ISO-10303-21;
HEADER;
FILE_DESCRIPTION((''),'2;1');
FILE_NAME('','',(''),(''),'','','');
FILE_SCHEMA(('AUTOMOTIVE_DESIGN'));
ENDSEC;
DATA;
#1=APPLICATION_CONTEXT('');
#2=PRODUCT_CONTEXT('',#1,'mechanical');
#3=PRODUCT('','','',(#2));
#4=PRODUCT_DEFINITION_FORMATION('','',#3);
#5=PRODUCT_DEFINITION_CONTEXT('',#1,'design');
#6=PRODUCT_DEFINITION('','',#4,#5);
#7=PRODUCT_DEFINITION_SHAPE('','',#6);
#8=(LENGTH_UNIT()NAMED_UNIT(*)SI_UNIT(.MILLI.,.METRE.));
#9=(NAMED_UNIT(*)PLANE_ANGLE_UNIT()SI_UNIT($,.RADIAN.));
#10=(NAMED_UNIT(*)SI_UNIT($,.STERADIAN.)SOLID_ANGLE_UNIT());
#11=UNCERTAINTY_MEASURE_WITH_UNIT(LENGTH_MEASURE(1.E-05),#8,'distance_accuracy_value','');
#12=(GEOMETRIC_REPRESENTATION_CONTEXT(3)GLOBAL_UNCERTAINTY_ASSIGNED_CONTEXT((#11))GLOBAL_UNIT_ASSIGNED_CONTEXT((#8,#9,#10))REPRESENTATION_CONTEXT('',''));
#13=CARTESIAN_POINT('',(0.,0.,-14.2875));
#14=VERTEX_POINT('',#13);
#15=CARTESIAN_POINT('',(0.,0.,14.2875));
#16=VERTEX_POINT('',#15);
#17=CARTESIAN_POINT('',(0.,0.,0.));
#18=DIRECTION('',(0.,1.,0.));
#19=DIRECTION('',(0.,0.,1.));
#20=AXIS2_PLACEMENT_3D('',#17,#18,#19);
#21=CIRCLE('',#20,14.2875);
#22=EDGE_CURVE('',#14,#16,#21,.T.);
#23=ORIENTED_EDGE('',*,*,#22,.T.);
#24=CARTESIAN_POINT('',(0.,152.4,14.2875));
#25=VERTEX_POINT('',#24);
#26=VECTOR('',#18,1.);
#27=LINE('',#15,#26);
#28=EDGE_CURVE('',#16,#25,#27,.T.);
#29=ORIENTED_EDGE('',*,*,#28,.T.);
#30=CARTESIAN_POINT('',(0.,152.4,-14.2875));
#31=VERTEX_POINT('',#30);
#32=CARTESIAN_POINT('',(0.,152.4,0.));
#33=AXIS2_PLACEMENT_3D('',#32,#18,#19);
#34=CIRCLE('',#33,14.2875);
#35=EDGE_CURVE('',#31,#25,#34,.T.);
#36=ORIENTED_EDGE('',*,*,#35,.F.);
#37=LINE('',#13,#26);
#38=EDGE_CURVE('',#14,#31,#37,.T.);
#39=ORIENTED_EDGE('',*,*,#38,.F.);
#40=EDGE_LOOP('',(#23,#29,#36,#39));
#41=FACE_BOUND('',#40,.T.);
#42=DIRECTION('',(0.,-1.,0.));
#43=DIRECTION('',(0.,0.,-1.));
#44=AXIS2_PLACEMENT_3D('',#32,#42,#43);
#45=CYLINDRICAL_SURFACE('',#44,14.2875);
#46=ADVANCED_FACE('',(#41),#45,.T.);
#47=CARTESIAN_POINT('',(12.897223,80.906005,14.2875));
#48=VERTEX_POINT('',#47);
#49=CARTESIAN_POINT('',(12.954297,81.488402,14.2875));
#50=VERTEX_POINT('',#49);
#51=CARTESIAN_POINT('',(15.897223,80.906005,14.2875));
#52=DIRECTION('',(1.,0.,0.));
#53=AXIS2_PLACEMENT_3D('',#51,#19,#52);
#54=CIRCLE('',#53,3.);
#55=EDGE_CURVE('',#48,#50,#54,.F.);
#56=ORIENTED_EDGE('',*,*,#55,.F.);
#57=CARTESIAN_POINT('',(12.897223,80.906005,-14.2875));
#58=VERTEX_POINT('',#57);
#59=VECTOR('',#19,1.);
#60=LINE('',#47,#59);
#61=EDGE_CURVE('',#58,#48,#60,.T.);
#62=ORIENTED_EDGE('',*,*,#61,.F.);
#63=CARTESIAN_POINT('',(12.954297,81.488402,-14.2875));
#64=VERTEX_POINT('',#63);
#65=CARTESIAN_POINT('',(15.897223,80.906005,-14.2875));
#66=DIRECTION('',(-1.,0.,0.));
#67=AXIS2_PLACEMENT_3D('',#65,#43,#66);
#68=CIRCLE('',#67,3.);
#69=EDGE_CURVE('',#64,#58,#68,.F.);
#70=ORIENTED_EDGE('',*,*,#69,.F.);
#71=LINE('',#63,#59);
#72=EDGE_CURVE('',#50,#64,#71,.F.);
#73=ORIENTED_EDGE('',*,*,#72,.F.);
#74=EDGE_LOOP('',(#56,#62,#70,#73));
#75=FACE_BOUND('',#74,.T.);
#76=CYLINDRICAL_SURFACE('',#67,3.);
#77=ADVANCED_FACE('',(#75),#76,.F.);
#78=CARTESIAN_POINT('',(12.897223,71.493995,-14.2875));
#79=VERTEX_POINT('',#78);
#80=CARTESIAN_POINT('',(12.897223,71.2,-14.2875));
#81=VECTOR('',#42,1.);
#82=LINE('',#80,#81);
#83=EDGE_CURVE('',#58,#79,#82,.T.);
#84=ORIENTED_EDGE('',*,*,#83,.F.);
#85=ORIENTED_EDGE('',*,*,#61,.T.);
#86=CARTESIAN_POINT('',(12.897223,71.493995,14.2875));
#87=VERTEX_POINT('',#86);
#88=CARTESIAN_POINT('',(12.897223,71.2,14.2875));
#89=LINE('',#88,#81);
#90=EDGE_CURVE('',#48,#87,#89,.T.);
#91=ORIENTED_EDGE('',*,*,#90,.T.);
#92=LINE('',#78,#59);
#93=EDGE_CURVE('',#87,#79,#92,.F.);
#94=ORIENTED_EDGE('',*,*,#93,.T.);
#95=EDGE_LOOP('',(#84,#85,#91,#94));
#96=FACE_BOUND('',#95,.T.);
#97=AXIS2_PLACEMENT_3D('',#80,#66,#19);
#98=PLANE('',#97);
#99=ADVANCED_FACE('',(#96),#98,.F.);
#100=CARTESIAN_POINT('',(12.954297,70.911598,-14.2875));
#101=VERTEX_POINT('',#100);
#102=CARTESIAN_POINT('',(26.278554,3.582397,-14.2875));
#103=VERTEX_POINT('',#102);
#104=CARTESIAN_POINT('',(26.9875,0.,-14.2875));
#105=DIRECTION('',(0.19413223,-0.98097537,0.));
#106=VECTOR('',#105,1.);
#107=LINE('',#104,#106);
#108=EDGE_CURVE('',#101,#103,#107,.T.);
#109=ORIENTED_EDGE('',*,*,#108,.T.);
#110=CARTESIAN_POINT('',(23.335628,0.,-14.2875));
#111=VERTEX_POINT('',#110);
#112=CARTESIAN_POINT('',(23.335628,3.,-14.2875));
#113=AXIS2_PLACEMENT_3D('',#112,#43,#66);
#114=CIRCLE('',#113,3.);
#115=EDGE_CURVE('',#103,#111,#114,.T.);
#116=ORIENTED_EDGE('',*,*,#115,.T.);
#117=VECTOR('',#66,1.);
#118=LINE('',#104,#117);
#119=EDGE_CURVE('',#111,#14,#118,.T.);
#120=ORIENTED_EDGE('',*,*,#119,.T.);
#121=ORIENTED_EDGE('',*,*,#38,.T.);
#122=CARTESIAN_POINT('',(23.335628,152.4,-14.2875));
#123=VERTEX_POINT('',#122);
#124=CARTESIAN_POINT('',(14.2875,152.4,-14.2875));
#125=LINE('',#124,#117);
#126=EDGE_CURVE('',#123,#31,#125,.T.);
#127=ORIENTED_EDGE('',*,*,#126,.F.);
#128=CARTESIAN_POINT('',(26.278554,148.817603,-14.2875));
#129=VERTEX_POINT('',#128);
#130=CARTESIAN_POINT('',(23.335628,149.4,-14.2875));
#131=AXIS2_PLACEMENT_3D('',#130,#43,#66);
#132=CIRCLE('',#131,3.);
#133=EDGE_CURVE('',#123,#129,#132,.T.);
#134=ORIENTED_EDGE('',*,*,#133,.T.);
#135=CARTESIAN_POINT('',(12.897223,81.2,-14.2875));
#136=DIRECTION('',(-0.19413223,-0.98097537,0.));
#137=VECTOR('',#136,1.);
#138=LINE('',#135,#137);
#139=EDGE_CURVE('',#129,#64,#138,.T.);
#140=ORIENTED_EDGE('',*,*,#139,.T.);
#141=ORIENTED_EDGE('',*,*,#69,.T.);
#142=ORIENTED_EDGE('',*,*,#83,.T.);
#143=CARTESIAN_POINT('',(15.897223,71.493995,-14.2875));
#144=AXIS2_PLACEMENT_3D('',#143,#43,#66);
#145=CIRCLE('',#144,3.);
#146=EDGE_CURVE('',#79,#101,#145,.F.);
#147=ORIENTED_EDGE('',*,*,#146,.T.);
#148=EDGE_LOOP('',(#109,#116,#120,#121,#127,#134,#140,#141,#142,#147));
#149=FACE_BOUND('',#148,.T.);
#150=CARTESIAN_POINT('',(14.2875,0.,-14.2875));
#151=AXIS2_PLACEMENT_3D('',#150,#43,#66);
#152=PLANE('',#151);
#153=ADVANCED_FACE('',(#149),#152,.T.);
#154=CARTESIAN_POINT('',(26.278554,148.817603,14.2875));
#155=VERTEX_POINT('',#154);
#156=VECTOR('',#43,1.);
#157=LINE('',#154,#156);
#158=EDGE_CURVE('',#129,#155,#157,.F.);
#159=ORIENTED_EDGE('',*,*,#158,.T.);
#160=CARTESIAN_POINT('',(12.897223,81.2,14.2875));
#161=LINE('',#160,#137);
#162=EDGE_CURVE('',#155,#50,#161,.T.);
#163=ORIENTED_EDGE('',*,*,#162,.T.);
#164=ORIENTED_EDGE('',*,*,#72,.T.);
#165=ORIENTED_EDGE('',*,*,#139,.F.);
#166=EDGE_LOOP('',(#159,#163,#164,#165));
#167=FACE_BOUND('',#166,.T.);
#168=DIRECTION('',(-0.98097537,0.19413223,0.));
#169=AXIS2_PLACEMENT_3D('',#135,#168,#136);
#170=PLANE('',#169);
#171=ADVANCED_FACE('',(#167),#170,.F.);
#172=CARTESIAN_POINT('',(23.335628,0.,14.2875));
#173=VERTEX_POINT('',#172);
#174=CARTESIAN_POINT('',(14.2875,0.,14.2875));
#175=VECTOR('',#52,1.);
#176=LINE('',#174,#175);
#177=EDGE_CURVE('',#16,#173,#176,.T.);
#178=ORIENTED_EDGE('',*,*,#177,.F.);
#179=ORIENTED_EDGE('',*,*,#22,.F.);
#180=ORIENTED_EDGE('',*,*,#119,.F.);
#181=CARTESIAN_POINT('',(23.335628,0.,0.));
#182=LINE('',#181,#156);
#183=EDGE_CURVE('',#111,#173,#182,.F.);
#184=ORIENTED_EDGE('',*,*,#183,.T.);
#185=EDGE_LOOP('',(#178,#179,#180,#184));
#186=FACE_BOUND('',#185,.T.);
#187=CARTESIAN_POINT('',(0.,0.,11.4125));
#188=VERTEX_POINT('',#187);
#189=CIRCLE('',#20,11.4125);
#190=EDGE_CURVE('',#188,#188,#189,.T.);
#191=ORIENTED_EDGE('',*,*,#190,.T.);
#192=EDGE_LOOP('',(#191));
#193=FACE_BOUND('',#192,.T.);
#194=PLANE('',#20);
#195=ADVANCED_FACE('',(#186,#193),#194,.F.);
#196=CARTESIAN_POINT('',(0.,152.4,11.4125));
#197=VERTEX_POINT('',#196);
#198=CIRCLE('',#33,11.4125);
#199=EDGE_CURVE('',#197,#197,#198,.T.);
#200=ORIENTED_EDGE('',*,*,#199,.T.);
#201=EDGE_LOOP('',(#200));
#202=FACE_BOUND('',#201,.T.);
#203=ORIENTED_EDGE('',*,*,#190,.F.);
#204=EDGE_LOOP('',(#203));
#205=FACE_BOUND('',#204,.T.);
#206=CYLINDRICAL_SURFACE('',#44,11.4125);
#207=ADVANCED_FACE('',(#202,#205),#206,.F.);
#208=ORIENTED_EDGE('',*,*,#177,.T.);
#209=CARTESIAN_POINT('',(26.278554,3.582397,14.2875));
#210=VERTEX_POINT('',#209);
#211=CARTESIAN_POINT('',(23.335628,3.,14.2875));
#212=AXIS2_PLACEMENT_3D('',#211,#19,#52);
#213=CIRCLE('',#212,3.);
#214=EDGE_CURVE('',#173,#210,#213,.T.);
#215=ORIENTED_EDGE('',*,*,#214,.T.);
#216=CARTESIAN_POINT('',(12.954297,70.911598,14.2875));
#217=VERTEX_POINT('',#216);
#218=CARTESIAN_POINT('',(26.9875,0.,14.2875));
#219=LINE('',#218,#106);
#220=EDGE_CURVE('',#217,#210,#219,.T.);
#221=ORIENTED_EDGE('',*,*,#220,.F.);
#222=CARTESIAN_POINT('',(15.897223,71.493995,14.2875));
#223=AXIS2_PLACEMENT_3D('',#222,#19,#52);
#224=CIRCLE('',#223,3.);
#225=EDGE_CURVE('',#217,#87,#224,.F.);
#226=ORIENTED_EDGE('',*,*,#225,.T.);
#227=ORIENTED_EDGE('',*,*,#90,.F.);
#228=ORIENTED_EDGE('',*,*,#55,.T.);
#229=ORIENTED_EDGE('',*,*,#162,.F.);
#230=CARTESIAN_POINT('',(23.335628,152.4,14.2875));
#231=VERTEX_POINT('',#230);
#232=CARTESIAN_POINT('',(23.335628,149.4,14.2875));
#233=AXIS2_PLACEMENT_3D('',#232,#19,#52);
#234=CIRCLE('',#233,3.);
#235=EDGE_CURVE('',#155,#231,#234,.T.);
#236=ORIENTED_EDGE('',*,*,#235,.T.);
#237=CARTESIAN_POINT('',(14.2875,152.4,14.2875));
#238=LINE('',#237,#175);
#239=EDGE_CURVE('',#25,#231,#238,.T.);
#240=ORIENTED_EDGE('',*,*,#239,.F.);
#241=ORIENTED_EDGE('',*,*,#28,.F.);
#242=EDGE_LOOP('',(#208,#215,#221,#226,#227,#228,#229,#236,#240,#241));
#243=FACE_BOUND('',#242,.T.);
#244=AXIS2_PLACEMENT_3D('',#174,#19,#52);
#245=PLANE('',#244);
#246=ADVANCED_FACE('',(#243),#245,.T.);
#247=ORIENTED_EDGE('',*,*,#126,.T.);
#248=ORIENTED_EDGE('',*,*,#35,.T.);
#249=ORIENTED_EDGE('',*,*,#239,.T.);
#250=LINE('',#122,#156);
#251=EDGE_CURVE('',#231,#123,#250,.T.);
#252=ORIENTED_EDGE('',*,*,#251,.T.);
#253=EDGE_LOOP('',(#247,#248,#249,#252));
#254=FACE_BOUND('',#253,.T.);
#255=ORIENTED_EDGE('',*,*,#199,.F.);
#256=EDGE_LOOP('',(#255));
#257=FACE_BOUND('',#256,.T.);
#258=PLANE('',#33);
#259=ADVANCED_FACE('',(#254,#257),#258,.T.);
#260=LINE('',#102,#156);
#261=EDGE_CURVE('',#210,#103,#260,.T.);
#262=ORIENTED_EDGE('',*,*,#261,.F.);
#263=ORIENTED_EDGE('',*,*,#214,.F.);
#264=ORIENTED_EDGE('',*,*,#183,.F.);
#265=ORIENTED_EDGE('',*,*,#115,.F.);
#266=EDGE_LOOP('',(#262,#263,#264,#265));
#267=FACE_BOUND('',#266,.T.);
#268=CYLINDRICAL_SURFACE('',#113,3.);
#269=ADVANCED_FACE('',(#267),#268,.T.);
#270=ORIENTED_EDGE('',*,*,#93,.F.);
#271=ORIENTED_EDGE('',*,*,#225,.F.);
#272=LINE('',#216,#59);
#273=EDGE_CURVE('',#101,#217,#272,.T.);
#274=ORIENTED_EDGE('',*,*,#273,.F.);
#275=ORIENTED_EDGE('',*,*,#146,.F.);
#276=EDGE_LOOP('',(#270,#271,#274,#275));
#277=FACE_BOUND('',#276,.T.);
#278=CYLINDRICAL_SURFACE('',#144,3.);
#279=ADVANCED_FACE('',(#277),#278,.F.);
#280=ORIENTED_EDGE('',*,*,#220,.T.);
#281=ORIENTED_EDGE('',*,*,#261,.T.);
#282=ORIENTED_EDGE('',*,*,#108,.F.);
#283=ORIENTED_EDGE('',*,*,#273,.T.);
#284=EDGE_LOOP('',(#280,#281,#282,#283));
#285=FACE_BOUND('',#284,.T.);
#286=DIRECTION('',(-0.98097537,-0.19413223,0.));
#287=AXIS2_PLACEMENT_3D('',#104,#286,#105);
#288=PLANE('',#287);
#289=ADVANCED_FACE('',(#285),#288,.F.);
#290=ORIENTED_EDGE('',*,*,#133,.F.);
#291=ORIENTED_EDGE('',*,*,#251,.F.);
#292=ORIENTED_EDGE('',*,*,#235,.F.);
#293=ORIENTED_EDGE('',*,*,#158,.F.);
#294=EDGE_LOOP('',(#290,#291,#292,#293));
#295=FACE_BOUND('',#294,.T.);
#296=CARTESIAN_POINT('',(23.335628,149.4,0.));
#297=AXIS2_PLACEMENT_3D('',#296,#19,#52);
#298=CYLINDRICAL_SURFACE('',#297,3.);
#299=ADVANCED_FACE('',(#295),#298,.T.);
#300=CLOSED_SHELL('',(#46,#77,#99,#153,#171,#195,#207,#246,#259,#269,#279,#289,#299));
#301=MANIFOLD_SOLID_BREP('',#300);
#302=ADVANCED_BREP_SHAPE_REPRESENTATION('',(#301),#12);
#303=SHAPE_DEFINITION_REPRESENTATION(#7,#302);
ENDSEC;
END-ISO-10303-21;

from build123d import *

# Parameters (mm, degrees)
SKETCH1_R           = 14.2875
SKETCH1_R_2         = 11.4125
BOSS_EXTRUDE1_DEPTH = 152.4
SKETCH2_W           = 28.575
SKETCH2_H           = 152.4
BOSS_EXTRUDE2_DEPTH = 12.7
BOSS_EXTRUDE3_DEPTH = 152.4
CUT_EXTRUDE1_DEPTH  = 29.575
FILLET1_R           = 3


with BuildPart() as part:
    # Sketch1 → Boss-Extrude1 (new body)
    with BuildSketch(Plane(origin=(0, 0, 0), x_dir=(1, 0, 0), z_dir=(0, 1, 0))):
        Circle(SKETCH1_R)
        Circle(SKETCH1_R_2, mode=Mode.SUBTRACT)
    extrude(amount=BOSS_EXTRUDE1_DEPTH)



with BuildPart() as body_2:
    # Sketch2 → Boss-Extrude2 (new body)
    with BuildSketch(Plane(origin=(14.2875, 0, 0), x_dir=(0, 0, -1), z_dir=(1, 0, 0))):
        with Locations((0, 76.2)):
            Rectangle(SKETCH2_W, SKETCH2_H)
    extrude(amount=BOSS_EXTRUDE2_DEPTH)


with BuildPart() as part_1:
    add(part.part)

    add(body_2.part)  # Boss-Extrude3 merges body 2
    # Sketch3 → Boss-Extrude3 (add, through all)
    with BuildSketch(Plane(origin=(0, 152.4, 0), x_dir=(1, 0, 0), z_dir=(0, 1, 0))):
        with BuildLine():
            Line((14.2875, -14.2875), (0, -14.2875))
            ThreePointArc((0, -14.2875), (14.2875, 0), (0, 14.2875))
            Line((0, 14.2875), (14.2875, 14.2875))
            Line((14.2875, 14.2875), (26.9875, 14.2875))
            Line((26.9875, 14.2875), (26.9875, -14.2875))
            Line((26.9875, -14.2875), (14.2875, -14.2875))
        make_face()
    extrude(amount=-BOSS_EXTRUDE3_DEPTH)

    # Sketch5 → Cut-Extrude1 (cut, through all)
    with BuildSketch(Plane.XY.offset(14.2875)):
        Polygon((26.9875, 0), (12.897222949, 71.2), (12.897222949, 81.2), (26.9875, 152.4), align=None)
    extrude(amount=-CUT_EXTRUDE1_DEPTH, mode=Mode.SUBTRACT)

    # Fillet1
    fillet1_edges = [part_1.edges().sort_by_distance(p)[0] for p in [
        (26.9875, 0, 0),
        (26.9875, 152.4, 0),
        (12.897222949, 71.2, 0),
        (12.897222949, 81.2, 0),
    ]]
    fillet(fillet1_edges, radius=FILLET1_R)


solid = part_1.part
